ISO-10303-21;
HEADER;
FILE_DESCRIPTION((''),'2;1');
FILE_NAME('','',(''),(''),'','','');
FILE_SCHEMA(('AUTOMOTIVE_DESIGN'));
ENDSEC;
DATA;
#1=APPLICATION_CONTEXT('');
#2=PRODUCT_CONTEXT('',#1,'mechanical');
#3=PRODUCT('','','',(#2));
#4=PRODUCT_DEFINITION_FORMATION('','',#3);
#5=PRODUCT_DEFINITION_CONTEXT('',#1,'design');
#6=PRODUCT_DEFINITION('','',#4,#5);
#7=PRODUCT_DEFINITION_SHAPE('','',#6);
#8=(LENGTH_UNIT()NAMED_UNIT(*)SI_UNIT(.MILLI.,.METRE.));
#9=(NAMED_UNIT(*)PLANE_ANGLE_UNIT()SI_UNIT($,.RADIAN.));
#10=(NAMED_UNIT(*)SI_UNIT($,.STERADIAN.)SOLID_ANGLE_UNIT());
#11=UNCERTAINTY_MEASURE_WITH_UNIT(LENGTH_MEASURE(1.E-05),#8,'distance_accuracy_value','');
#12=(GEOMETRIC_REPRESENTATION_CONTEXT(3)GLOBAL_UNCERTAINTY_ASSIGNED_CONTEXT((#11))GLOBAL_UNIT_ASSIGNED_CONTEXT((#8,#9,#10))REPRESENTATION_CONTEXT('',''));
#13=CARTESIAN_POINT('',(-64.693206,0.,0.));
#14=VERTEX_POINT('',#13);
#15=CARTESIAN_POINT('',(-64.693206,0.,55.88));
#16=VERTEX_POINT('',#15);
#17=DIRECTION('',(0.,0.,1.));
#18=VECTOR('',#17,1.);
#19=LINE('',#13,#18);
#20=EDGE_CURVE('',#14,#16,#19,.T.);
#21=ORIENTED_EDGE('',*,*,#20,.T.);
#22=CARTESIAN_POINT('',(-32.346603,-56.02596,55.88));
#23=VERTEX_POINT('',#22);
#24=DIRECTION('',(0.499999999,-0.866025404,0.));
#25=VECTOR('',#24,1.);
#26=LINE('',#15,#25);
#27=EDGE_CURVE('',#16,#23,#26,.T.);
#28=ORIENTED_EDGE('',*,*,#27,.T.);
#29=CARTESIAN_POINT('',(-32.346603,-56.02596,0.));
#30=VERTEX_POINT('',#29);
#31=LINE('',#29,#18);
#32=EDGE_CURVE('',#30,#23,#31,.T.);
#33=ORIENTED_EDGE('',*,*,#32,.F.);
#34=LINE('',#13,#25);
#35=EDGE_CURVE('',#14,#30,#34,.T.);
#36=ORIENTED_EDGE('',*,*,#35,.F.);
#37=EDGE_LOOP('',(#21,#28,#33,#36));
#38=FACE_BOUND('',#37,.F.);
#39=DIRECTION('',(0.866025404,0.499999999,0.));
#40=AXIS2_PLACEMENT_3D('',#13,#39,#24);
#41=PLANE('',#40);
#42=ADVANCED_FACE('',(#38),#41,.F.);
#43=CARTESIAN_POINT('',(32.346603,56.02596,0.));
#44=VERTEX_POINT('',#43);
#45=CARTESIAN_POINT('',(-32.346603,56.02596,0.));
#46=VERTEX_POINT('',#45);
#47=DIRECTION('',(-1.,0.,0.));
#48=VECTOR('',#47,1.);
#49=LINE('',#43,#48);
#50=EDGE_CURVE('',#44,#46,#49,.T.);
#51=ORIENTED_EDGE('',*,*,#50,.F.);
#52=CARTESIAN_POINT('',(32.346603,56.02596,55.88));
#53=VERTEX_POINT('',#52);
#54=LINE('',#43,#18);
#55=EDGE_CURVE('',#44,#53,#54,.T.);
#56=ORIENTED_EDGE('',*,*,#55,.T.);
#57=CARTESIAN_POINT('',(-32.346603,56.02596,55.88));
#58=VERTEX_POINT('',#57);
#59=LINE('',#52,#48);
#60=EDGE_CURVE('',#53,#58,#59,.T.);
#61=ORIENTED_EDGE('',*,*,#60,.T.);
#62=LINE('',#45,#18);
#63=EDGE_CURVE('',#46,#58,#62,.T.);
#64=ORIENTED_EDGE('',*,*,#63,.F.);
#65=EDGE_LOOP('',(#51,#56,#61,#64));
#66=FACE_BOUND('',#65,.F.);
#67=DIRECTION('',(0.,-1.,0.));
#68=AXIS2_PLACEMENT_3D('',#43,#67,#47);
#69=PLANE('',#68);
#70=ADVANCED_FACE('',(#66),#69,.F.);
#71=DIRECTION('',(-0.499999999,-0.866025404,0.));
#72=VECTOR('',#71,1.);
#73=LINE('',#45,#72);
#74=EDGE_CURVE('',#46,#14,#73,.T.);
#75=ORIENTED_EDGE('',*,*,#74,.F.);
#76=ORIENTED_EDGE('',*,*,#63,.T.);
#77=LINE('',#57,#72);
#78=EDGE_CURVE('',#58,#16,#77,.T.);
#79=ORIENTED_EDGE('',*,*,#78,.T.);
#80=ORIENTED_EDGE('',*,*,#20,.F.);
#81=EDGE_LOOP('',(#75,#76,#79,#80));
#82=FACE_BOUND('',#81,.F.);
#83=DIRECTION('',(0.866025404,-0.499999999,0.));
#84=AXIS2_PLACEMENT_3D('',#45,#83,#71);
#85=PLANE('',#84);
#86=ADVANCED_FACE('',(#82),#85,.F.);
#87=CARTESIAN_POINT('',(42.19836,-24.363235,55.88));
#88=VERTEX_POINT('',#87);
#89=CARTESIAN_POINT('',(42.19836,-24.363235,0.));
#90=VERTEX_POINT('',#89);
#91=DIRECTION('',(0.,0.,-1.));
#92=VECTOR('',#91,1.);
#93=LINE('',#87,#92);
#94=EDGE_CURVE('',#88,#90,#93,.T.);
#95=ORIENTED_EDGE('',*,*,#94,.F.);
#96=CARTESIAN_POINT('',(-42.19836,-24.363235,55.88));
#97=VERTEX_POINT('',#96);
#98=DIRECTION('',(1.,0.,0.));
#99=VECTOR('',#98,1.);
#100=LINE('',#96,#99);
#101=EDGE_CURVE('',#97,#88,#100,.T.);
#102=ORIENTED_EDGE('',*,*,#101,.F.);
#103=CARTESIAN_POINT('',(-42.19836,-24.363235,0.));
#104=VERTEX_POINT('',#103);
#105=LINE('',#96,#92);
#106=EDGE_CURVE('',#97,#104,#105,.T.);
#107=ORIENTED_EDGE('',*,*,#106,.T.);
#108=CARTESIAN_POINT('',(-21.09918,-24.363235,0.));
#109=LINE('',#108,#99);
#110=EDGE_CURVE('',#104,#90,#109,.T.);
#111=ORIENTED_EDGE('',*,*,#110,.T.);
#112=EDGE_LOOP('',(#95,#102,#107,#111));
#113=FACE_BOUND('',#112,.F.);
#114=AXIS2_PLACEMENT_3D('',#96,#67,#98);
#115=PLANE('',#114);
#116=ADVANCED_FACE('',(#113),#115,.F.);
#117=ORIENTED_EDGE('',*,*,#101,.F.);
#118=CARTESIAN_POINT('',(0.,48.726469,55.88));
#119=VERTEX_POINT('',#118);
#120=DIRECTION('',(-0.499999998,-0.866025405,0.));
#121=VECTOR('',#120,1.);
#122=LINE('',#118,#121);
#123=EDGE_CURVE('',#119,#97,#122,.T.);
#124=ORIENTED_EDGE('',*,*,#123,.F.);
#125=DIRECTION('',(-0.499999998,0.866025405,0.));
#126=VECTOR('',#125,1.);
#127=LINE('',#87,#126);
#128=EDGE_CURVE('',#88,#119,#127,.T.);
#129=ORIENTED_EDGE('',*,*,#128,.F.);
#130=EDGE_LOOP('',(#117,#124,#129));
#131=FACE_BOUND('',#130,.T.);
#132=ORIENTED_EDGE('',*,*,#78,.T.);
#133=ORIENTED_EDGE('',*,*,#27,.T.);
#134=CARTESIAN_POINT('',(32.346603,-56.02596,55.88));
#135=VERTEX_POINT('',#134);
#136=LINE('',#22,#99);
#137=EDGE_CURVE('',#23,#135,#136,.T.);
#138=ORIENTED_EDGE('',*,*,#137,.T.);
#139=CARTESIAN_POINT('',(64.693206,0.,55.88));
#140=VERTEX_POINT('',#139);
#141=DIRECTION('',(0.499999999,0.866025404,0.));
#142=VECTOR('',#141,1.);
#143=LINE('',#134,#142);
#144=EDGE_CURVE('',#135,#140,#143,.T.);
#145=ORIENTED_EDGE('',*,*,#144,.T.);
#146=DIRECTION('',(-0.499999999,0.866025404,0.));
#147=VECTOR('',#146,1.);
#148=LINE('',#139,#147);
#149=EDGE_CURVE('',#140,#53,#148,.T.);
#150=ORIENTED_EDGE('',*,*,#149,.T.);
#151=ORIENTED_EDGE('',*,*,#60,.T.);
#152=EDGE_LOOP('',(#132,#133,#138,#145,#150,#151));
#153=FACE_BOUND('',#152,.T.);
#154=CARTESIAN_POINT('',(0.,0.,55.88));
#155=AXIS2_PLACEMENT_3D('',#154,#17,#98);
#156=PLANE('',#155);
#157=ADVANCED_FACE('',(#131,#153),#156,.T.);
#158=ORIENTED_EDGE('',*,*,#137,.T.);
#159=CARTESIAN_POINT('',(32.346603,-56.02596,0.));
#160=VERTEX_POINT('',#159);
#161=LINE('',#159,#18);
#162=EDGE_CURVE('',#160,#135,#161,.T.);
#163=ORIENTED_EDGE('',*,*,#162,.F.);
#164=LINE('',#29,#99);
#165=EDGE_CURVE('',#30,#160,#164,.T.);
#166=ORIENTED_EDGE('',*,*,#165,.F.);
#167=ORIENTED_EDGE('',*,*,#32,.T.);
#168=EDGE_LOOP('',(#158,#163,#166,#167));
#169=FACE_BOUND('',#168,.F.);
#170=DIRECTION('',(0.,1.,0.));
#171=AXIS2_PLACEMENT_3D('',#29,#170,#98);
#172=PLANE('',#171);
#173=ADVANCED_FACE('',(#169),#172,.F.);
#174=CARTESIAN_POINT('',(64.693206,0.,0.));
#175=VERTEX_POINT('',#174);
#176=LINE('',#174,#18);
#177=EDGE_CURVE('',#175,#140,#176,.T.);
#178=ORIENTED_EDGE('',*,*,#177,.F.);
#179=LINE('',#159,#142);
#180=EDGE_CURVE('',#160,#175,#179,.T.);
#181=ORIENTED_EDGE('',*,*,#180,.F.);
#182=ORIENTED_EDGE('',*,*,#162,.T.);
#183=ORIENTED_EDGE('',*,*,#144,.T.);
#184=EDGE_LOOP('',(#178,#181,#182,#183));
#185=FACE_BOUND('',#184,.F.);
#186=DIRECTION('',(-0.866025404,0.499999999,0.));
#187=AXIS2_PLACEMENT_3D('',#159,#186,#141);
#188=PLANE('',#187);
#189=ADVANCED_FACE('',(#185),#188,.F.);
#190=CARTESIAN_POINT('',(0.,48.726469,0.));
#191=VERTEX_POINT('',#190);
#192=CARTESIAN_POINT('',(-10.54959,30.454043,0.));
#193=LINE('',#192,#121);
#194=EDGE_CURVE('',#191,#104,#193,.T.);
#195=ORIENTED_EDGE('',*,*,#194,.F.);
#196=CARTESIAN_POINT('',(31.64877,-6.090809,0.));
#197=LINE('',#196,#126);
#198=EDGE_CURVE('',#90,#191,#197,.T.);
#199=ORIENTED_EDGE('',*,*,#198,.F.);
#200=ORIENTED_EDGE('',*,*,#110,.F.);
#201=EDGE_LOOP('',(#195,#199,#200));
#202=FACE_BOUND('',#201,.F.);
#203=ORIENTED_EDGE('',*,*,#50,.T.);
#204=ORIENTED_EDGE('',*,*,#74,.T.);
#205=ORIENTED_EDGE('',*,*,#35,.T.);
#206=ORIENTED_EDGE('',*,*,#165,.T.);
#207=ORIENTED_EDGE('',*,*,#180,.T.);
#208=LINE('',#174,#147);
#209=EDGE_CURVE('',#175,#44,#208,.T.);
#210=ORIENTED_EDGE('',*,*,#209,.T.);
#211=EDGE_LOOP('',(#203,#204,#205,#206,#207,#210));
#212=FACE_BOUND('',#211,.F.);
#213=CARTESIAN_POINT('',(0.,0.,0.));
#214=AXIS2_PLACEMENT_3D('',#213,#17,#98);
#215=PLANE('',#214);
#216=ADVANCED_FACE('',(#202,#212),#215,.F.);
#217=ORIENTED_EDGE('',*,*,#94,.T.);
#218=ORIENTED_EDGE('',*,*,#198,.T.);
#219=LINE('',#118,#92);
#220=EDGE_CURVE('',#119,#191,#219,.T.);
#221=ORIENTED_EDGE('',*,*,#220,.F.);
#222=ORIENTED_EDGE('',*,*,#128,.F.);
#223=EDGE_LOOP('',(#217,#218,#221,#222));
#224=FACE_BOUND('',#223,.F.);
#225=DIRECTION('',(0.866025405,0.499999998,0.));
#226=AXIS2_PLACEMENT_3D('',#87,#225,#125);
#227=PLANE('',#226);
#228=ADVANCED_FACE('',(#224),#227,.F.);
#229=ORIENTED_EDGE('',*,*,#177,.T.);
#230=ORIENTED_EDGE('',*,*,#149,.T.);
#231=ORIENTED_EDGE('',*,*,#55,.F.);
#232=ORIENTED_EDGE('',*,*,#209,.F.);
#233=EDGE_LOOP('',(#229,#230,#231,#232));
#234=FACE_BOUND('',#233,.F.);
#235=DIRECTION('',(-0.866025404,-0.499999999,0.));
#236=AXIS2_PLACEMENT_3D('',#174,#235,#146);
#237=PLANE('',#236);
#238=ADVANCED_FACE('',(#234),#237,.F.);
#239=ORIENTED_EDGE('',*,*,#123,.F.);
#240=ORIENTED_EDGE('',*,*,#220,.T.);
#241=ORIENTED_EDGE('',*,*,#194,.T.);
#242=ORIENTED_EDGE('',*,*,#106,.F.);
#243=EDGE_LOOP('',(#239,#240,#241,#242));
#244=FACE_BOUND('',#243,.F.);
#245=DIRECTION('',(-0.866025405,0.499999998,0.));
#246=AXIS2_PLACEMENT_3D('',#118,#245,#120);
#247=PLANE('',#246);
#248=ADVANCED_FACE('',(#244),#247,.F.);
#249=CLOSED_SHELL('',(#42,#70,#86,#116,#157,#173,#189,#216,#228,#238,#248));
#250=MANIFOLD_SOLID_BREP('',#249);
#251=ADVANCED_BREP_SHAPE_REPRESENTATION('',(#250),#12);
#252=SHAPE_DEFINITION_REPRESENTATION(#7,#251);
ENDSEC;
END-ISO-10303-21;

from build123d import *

# Parameters (mm, degrees)
F1_DEPTH = 55.88
F3_DEPTH = 60.706


with BuildPart() as f1:
    # F0 (on Top) → F1 (new body)
    with BuildSketch(Plane.XY):
        Polygon((-32.346603, -56.02596), (32.346603, -56.02596), (64.693206, 0), (32.346603, 56.02596), (-32.346603, 56.02596), (-64.693206, 0), align=None)
    extrude(amount=F1_DEPTH)

    # F2 (on face) → F3 (cut)
    with BuildSketch(Plane.XY.offset(55.88)):
        Polygon((-42.19836, -24.363235), (42.19836, -24.363235), (0, 48.726469), align=None)
    extrude(amount=-F3_DEPTH, mode=Mode.SUBTRACT)


solid = f1.part
